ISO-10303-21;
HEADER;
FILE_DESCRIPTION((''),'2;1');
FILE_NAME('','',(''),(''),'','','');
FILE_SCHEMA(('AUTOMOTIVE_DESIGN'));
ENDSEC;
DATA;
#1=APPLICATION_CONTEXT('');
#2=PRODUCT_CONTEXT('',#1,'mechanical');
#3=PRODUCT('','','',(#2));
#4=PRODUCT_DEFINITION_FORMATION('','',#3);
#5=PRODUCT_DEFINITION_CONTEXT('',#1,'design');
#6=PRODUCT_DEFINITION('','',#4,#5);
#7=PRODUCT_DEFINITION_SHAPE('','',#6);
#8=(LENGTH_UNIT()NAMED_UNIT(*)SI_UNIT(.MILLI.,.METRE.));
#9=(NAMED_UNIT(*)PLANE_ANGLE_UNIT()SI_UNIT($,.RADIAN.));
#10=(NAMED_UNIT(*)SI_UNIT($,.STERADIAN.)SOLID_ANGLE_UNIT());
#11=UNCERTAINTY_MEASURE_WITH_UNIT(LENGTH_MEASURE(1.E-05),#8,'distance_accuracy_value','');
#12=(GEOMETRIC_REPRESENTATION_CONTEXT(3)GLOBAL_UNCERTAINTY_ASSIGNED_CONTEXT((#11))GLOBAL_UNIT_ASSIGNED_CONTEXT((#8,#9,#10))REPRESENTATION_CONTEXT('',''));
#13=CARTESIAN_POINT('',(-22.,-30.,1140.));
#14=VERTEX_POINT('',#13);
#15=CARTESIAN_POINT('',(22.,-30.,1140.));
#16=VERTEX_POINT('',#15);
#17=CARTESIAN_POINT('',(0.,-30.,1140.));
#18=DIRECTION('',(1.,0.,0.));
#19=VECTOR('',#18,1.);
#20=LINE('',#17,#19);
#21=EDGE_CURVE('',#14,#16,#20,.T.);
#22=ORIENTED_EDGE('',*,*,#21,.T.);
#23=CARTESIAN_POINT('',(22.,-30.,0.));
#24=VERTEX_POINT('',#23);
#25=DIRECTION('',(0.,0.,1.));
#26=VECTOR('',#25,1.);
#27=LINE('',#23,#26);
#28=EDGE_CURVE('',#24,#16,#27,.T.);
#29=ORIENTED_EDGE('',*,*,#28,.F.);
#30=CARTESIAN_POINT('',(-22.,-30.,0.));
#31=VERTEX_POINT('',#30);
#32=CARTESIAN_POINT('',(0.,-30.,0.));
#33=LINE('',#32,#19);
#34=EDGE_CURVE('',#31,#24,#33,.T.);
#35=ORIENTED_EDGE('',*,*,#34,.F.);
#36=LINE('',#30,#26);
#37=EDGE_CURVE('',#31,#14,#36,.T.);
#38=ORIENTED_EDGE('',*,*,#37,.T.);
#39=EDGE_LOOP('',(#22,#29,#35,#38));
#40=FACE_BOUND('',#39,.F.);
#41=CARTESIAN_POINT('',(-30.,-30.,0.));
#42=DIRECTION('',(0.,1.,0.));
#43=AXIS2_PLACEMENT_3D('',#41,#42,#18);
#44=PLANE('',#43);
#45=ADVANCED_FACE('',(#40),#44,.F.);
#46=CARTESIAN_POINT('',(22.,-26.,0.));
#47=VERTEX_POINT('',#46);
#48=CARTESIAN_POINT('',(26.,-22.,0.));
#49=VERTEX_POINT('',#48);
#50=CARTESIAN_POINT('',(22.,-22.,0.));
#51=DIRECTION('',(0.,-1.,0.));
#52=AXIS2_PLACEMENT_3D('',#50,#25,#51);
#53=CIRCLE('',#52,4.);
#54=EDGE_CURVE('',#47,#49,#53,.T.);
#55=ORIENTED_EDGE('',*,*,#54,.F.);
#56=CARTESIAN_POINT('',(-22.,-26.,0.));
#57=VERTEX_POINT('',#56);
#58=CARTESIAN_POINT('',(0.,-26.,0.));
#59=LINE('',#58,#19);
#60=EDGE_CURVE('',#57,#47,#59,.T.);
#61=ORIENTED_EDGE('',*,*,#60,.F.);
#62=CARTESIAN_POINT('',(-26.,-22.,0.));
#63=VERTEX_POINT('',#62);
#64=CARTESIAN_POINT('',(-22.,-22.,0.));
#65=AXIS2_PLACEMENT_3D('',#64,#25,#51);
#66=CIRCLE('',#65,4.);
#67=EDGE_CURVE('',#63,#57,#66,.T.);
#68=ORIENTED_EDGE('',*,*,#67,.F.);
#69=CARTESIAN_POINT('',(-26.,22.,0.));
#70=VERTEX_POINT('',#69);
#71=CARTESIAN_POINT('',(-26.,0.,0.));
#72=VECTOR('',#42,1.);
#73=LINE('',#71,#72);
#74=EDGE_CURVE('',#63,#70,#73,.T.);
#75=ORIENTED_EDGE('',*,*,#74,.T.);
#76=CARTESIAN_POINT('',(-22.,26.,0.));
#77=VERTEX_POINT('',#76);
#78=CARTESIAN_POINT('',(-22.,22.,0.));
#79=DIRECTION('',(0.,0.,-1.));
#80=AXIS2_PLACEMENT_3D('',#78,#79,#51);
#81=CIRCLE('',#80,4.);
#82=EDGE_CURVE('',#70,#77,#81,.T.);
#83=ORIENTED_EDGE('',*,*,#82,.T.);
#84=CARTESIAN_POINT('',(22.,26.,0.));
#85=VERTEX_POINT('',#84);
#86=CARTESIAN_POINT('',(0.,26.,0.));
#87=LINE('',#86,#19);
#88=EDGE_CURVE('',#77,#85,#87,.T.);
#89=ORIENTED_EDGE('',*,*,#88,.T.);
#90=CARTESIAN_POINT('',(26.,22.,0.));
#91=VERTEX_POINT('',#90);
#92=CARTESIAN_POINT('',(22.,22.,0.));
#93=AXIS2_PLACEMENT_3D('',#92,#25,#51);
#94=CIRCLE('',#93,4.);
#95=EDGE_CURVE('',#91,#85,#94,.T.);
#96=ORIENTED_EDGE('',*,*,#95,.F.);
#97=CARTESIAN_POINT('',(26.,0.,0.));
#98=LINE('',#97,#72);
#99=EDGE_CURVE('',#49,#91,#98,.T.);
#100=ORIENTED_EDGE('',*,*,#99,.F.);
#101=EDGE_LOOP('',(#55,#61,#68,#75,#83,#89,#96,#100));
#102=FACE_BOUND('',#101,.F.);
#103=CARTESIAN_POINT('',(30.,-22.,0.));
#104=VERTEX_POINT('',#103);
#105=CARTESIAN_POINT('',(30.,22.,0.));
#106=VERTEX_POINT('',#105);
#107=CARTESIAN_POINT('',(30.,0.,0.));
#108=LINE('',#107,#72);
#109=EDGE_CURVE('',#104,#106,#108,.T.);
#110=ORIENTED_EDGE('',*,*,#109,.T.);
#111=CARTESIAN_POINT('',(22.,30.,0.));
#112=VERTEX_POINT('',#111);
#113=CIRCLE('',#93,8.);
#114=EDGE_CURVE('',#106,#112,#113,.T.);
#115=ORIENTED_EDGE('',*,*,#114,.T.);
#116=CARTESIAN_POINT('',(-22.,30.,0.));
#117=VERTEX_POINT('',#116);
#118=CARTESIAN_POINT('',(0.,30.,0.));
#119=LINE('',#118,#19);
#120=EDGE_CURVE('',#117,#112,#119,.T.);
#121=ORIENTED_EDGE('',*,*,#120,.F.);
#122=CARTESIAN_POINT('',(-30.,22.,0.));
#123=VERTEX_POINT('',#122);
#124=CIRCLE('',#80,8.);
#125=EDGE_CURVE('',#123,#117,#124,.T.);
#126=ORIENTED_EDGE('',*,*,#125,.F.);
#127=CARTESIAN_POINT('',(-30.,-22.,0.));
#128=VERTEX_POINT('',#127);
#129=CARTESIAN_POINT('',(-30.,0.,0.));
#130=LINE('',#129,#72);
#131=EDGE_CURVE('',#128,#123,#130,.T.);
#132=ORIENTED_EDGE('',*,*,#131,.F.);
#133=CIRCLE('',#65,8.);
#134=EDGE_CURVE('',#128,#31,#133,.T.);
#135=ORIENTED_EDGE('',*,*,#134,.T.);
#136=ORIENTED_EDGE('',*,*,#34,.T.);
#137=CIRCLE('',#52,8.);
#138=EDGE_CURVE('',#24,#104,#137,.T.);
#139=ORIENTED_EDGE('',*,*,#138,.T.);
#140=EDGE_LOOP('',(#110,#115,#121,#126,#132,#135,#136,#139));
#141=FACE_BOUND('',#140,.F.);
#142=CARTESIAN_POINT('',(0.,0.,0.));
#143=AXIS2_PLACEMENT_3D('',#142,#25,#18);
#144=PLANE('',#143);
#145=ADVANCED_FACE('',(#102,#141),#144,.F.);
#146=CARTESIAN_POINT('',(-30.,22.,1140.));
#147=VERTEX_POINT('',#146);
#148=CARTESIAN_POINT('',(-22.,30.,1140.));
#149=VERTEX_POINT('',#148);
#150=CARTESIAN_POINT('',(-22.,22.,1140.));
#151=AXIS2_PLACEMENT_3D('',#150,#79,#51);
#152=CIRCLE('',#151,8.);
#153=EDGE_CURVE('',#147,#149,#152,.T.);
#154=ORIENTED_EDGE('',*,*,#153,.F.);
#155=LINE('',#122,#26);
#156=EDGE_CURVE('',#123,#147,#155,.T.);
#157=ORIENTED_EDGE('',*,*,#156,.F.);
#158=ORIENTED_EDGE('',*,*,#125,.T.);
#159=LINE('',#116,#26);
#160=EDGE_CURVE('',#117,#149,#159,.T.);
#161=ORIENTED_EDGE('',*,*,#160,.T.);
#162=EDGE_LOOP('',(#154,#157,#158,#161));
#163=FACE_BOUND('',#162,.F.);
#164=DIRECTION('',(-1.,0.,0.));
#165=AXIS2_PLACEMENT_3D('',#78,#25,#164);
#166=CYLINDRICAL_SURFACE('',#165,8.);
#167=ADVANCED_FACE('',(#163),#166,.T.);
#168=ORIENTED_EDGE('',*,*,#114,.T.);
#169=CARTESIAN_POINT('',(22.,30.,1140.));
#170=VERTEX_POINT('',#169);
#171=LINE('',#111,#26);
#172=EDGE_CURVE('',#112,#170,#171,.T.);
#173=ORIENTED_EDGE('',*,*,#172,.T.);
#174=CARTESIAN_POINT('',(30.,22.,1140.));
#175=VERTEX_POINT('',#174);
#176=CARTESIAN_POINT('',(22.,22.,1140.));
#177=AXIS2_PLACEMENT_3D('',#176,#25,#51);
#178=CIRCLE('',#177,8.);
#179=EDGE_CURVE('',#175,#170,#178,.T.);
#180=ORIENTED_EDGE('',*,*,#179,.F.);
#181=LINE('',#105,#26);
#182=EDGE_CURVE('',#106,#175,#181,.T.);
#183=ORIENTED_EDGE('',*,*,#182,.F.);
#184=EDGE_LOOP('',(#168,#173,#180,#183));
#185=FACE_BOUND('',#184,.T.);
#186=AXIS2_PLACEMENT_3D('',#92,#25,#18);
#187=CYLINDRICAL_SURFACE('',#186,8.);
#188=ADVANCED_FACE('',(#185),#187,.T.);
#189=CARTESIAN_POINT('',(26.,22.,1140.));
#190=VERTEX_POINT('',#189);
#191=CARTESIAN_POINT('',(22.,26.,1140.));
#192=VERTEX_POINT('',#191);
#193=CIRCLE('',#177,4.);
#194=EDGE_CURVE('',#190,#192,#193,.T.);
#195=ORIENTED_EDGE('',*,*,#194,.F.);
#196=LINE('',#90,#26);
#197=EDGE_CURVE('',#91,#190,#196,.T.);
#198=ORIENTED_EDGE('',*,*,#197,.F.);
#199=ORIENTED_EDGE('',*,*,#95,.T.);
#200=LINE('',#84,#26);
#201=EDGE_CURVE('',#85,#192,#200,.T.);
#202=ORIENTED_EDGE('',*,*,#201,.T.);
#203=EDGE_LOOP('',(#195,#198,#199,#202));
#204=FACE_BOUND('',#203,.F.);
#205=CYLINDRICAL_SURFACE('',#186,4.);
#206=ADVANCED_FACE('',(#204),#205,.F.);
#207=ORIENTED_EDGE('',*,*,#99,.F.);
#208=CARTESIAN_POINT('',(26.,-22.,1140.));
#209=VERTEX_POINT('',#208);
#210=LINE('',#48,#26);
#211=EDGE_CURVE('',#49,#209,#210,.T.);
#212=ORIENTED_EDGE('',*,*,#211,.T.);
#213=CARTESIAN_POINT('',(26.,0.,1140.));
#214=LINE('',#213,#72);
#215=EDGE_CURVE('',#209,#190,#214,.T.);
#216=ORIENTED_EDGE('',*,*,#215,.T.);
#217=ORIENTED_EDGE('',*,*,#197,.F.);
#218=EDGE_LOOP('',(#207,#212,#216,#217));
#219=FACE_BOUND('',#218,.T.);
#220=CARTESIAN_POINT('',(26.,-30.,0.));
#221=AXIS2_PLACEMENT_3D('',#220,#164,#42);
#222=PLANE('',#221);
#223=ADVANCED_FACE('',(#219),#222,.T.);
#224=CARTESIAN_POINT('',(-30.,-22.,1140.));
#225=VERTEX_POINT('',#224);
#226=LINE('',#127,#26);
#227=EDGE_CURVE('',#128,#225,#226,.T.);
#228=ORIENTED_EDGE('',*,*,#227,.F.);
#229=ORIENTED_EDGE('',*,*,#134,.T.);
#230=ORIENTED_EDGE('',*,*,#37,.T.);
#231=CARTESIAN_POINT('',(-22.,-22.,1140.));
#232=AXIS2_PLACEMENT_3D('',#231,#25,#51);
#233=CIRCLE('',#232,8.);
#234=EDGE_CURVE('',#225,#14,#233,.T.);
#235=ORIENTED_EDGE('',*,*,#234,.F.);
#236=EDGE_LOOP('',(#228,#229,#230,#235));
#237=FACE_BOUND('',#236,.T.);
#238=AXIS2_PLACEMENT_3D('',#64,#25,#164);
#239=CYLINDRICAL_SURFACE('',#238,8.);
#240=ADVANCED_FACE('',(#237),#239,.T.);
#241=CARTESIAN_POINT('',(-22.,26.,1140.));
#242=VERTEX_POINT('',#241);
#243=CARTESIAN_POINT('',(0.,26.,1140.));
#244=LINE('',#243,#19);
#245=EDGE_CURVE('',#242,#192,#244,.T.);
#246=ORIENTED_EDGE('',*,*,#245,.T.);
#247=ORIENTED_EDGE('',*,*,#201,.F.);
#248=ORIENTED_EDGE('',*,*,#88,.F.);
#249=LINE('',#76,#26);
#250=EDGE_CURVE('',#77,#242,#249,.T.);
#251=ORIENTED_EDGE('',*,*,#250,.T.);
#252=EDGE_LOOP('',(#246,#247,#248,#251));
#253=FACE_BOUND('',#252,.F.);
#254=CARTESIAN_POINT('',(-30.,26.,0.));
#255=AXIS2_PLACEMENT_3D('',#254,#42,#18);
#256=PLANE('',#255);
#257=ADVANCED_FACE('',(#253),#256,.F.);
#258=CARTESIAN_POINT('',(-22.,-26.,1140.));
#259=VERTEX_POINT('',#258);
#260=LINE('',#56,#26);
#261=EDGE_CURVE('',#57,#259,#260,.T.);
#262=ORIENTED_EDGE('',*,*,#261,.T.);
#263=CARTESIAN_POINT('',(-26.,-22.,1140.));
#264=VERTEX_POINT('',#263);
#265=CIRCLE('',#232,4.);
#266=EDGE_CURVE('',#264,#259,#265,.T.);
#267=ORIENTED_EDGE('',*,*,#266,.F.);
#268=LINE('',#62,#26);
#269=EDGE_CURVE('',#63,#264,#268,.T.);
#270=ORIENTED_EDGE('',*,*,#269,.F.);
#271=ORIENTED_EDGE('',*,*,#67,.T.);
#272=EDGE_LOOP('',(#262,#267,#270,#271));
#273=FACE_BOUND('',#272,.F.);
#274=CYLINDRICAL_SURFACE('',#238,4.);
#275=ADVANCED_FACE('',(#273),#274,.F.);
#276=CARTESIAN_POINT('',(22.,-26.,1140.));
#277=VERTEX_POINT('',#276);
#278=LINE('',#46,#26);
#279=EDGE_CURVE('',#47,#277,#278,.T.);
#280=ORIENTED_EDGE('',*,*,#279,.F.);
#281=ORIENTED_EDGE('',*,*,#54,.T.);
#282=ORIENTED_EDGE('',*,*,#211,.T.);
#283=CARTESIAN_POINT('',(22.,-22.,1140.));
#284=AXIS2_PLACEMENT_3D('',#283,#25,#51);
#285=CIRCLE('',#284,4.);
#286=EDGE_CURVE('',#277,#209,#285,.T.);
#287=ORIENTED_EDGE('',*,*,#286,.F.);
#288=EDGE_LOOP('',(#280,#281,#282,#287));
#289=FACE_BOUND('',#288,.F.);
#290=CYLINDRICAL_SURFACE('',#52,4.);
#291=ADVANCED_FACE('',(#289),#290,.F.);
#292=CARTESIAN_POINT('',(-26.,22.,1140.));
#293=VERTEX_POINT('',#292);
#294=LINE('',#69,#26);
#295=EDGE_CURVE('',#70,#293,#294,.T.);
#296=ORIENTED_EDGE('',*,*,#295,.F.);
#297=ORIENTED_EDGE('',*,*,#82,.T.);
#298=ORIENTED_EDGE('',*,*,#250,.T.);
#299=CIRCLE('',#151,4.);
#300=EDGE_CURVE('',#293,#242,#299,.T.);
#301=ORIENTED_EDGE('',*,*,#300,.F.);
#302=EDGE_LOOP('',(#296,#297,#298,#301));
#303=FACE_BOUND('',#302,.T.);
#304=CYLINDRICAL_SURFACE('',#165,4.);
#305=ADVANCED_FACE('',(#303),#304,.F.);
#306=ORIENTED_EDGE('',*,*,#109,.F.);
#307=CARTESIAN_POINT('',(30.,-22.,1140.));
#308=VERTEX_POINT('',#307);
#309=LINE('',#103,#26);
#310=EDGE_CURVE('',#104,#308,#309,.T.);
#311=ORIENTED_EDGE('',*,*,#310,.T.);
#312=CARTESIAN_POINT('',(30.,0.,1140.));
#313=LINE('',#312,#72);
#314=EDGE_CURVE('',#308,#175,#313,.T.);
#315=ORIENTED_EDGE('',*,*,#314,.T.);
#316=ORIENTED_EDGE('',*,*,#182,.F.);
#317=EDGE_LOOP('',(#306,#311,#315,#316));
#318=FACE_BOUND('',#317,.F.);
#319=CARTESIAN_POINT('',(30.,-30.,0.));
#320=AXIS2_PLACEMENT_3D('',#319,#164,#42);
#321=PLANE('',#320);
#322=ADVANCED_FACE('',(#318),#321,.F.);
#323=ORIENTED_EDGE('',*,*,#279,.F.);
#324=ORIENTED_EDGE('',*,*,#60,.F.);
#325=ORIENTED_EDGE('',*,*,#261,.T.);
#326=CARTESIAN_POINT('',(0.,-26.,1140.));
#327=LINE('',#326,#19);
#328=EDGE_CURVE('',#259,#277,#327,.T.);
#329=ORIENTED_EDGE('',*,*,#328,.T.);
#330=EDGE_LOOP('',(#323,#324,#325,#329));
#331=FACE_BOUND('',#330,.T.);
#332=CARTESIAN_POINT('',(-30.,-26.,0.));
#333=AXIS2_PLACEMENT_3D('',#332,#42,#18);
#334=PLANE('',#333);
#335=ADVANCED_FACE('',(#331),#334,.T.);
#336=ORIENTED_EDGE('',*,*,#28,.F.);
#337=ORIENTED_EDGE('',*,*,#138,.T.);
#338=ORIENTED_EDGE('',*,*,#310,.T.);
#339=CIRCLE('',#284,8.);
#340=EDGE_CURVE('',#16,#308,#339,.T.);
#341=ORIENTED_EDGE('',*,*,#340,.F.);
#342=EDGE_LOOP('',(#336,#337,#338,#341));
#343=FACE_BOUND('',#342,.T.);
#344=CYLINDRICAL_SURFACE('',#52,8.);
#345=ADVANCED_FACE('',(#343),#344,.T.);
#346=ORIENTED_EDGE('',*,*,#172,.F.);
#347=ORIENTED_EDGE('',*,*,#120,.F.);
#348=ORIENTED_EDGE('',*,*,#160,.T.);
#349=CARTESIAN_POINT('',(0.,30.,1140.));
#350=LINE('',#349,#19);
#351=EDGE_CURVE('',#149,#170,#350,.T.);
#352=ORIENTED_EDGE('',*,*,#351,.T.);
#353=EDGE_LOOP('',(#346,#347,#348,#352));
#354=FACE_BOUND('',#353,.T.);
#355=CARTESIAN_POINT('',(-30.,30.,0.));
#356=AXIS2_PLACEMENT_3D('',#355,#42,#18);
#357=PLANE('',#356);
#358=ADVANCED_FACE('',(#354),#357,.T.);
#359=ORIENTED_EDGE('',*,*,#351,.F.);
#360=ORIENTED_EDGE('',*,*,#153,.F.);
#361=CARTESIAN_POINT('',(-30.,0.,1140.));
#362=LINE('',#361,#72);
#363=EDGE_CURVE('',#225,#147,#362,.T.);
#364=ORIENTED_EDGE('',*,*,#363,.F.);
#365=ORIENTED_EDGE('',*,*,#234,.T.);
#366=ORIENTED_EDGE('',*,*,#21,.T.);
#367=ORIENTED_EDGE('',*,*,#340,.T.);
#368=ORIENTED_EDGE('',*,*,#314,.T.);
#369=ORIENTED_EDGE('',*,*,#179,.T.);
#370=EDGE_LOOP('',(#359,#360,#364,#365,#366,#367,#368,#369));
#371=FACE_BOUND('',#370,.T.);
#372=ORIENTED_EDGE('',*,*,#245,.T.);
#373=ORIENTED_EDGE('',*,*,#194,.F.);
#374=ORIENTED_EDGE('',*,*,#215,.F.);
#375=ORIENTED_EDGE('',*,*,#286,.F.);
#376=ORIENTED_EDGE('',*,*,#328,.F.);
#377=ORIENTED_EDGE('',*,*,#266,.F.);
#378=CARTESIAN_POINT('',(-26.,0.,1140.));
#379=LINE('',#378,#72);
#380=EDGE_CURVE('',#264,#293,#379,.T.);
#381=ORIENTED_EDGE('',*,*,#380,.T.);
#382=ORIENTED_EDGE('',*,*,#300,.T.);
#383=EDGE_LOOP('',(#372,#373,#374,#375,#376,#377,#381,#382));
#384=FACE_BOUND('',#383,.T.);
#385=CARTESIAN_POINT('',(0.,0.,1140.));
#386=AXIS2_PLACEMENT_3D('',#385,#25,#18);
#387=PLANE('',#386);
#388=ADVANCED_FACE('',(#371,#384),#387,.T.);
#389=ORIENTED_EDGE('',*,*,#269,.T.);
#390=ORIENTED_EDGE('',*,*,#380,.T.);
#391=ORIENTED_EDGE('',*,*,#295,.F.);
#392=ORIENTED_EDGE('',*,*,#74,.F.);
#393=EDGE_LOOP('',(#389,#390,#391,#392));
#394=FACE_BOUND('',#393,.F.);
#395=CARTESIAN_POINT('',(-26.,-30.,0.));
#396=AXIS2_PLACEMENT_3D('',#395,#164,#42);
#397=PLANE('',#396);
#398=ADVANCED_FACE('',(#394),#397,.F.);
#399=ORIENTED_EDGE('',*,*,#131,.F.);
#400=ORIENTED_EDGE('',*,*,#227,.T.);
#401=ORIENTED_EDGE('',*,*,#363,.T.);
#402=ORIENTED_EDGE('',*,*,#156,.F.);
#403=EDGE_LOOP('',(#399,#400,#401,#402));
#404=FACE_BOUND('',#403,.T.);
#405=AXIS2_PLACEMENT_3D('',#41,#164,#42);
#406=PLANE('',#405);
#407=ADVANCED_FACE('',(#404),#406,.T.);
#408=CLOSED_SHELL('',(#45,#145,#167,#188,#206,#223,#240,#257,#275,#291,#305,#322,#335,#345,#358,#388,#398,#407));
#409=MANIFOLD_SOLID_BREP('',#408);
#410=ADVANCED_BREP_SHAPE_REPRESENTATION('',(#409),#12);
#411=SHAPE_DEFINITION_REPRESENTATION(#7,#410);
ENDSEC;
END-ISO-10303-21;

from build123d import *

# Parameters (mm, degrees)
F0_W     = 60
F0_H     = 60
F1_DEPTH = 1140
F2_R     = 8
F3_T     = -4


with BuildPart() as f1:
    # F0 (on Top) → F1 (new body)
    with BuildSketch(Plane.XY):
        Rectangle(F0_W, F0_H)
    extrude(amount=F1_DEPTH)

    # F2
    f2_edges = [f1.edges().sort_by_distance(p)[0] for p in [
        (-30, -30, 570),
        (-30, 30, 570),
        (30, -30, 570),
        (30, 30, 570),
    ]]
    fillet(f2_edges, radius=F2_R)

    # F3
    f3_openings = [f1.faces().sort_by_distance(p)[0] for p in [
        (0, 0, 1140),
        (0, 0, 0),
    ]]
    offset(amount=F3_T, openings=f3_openings)


solid = f1.part
